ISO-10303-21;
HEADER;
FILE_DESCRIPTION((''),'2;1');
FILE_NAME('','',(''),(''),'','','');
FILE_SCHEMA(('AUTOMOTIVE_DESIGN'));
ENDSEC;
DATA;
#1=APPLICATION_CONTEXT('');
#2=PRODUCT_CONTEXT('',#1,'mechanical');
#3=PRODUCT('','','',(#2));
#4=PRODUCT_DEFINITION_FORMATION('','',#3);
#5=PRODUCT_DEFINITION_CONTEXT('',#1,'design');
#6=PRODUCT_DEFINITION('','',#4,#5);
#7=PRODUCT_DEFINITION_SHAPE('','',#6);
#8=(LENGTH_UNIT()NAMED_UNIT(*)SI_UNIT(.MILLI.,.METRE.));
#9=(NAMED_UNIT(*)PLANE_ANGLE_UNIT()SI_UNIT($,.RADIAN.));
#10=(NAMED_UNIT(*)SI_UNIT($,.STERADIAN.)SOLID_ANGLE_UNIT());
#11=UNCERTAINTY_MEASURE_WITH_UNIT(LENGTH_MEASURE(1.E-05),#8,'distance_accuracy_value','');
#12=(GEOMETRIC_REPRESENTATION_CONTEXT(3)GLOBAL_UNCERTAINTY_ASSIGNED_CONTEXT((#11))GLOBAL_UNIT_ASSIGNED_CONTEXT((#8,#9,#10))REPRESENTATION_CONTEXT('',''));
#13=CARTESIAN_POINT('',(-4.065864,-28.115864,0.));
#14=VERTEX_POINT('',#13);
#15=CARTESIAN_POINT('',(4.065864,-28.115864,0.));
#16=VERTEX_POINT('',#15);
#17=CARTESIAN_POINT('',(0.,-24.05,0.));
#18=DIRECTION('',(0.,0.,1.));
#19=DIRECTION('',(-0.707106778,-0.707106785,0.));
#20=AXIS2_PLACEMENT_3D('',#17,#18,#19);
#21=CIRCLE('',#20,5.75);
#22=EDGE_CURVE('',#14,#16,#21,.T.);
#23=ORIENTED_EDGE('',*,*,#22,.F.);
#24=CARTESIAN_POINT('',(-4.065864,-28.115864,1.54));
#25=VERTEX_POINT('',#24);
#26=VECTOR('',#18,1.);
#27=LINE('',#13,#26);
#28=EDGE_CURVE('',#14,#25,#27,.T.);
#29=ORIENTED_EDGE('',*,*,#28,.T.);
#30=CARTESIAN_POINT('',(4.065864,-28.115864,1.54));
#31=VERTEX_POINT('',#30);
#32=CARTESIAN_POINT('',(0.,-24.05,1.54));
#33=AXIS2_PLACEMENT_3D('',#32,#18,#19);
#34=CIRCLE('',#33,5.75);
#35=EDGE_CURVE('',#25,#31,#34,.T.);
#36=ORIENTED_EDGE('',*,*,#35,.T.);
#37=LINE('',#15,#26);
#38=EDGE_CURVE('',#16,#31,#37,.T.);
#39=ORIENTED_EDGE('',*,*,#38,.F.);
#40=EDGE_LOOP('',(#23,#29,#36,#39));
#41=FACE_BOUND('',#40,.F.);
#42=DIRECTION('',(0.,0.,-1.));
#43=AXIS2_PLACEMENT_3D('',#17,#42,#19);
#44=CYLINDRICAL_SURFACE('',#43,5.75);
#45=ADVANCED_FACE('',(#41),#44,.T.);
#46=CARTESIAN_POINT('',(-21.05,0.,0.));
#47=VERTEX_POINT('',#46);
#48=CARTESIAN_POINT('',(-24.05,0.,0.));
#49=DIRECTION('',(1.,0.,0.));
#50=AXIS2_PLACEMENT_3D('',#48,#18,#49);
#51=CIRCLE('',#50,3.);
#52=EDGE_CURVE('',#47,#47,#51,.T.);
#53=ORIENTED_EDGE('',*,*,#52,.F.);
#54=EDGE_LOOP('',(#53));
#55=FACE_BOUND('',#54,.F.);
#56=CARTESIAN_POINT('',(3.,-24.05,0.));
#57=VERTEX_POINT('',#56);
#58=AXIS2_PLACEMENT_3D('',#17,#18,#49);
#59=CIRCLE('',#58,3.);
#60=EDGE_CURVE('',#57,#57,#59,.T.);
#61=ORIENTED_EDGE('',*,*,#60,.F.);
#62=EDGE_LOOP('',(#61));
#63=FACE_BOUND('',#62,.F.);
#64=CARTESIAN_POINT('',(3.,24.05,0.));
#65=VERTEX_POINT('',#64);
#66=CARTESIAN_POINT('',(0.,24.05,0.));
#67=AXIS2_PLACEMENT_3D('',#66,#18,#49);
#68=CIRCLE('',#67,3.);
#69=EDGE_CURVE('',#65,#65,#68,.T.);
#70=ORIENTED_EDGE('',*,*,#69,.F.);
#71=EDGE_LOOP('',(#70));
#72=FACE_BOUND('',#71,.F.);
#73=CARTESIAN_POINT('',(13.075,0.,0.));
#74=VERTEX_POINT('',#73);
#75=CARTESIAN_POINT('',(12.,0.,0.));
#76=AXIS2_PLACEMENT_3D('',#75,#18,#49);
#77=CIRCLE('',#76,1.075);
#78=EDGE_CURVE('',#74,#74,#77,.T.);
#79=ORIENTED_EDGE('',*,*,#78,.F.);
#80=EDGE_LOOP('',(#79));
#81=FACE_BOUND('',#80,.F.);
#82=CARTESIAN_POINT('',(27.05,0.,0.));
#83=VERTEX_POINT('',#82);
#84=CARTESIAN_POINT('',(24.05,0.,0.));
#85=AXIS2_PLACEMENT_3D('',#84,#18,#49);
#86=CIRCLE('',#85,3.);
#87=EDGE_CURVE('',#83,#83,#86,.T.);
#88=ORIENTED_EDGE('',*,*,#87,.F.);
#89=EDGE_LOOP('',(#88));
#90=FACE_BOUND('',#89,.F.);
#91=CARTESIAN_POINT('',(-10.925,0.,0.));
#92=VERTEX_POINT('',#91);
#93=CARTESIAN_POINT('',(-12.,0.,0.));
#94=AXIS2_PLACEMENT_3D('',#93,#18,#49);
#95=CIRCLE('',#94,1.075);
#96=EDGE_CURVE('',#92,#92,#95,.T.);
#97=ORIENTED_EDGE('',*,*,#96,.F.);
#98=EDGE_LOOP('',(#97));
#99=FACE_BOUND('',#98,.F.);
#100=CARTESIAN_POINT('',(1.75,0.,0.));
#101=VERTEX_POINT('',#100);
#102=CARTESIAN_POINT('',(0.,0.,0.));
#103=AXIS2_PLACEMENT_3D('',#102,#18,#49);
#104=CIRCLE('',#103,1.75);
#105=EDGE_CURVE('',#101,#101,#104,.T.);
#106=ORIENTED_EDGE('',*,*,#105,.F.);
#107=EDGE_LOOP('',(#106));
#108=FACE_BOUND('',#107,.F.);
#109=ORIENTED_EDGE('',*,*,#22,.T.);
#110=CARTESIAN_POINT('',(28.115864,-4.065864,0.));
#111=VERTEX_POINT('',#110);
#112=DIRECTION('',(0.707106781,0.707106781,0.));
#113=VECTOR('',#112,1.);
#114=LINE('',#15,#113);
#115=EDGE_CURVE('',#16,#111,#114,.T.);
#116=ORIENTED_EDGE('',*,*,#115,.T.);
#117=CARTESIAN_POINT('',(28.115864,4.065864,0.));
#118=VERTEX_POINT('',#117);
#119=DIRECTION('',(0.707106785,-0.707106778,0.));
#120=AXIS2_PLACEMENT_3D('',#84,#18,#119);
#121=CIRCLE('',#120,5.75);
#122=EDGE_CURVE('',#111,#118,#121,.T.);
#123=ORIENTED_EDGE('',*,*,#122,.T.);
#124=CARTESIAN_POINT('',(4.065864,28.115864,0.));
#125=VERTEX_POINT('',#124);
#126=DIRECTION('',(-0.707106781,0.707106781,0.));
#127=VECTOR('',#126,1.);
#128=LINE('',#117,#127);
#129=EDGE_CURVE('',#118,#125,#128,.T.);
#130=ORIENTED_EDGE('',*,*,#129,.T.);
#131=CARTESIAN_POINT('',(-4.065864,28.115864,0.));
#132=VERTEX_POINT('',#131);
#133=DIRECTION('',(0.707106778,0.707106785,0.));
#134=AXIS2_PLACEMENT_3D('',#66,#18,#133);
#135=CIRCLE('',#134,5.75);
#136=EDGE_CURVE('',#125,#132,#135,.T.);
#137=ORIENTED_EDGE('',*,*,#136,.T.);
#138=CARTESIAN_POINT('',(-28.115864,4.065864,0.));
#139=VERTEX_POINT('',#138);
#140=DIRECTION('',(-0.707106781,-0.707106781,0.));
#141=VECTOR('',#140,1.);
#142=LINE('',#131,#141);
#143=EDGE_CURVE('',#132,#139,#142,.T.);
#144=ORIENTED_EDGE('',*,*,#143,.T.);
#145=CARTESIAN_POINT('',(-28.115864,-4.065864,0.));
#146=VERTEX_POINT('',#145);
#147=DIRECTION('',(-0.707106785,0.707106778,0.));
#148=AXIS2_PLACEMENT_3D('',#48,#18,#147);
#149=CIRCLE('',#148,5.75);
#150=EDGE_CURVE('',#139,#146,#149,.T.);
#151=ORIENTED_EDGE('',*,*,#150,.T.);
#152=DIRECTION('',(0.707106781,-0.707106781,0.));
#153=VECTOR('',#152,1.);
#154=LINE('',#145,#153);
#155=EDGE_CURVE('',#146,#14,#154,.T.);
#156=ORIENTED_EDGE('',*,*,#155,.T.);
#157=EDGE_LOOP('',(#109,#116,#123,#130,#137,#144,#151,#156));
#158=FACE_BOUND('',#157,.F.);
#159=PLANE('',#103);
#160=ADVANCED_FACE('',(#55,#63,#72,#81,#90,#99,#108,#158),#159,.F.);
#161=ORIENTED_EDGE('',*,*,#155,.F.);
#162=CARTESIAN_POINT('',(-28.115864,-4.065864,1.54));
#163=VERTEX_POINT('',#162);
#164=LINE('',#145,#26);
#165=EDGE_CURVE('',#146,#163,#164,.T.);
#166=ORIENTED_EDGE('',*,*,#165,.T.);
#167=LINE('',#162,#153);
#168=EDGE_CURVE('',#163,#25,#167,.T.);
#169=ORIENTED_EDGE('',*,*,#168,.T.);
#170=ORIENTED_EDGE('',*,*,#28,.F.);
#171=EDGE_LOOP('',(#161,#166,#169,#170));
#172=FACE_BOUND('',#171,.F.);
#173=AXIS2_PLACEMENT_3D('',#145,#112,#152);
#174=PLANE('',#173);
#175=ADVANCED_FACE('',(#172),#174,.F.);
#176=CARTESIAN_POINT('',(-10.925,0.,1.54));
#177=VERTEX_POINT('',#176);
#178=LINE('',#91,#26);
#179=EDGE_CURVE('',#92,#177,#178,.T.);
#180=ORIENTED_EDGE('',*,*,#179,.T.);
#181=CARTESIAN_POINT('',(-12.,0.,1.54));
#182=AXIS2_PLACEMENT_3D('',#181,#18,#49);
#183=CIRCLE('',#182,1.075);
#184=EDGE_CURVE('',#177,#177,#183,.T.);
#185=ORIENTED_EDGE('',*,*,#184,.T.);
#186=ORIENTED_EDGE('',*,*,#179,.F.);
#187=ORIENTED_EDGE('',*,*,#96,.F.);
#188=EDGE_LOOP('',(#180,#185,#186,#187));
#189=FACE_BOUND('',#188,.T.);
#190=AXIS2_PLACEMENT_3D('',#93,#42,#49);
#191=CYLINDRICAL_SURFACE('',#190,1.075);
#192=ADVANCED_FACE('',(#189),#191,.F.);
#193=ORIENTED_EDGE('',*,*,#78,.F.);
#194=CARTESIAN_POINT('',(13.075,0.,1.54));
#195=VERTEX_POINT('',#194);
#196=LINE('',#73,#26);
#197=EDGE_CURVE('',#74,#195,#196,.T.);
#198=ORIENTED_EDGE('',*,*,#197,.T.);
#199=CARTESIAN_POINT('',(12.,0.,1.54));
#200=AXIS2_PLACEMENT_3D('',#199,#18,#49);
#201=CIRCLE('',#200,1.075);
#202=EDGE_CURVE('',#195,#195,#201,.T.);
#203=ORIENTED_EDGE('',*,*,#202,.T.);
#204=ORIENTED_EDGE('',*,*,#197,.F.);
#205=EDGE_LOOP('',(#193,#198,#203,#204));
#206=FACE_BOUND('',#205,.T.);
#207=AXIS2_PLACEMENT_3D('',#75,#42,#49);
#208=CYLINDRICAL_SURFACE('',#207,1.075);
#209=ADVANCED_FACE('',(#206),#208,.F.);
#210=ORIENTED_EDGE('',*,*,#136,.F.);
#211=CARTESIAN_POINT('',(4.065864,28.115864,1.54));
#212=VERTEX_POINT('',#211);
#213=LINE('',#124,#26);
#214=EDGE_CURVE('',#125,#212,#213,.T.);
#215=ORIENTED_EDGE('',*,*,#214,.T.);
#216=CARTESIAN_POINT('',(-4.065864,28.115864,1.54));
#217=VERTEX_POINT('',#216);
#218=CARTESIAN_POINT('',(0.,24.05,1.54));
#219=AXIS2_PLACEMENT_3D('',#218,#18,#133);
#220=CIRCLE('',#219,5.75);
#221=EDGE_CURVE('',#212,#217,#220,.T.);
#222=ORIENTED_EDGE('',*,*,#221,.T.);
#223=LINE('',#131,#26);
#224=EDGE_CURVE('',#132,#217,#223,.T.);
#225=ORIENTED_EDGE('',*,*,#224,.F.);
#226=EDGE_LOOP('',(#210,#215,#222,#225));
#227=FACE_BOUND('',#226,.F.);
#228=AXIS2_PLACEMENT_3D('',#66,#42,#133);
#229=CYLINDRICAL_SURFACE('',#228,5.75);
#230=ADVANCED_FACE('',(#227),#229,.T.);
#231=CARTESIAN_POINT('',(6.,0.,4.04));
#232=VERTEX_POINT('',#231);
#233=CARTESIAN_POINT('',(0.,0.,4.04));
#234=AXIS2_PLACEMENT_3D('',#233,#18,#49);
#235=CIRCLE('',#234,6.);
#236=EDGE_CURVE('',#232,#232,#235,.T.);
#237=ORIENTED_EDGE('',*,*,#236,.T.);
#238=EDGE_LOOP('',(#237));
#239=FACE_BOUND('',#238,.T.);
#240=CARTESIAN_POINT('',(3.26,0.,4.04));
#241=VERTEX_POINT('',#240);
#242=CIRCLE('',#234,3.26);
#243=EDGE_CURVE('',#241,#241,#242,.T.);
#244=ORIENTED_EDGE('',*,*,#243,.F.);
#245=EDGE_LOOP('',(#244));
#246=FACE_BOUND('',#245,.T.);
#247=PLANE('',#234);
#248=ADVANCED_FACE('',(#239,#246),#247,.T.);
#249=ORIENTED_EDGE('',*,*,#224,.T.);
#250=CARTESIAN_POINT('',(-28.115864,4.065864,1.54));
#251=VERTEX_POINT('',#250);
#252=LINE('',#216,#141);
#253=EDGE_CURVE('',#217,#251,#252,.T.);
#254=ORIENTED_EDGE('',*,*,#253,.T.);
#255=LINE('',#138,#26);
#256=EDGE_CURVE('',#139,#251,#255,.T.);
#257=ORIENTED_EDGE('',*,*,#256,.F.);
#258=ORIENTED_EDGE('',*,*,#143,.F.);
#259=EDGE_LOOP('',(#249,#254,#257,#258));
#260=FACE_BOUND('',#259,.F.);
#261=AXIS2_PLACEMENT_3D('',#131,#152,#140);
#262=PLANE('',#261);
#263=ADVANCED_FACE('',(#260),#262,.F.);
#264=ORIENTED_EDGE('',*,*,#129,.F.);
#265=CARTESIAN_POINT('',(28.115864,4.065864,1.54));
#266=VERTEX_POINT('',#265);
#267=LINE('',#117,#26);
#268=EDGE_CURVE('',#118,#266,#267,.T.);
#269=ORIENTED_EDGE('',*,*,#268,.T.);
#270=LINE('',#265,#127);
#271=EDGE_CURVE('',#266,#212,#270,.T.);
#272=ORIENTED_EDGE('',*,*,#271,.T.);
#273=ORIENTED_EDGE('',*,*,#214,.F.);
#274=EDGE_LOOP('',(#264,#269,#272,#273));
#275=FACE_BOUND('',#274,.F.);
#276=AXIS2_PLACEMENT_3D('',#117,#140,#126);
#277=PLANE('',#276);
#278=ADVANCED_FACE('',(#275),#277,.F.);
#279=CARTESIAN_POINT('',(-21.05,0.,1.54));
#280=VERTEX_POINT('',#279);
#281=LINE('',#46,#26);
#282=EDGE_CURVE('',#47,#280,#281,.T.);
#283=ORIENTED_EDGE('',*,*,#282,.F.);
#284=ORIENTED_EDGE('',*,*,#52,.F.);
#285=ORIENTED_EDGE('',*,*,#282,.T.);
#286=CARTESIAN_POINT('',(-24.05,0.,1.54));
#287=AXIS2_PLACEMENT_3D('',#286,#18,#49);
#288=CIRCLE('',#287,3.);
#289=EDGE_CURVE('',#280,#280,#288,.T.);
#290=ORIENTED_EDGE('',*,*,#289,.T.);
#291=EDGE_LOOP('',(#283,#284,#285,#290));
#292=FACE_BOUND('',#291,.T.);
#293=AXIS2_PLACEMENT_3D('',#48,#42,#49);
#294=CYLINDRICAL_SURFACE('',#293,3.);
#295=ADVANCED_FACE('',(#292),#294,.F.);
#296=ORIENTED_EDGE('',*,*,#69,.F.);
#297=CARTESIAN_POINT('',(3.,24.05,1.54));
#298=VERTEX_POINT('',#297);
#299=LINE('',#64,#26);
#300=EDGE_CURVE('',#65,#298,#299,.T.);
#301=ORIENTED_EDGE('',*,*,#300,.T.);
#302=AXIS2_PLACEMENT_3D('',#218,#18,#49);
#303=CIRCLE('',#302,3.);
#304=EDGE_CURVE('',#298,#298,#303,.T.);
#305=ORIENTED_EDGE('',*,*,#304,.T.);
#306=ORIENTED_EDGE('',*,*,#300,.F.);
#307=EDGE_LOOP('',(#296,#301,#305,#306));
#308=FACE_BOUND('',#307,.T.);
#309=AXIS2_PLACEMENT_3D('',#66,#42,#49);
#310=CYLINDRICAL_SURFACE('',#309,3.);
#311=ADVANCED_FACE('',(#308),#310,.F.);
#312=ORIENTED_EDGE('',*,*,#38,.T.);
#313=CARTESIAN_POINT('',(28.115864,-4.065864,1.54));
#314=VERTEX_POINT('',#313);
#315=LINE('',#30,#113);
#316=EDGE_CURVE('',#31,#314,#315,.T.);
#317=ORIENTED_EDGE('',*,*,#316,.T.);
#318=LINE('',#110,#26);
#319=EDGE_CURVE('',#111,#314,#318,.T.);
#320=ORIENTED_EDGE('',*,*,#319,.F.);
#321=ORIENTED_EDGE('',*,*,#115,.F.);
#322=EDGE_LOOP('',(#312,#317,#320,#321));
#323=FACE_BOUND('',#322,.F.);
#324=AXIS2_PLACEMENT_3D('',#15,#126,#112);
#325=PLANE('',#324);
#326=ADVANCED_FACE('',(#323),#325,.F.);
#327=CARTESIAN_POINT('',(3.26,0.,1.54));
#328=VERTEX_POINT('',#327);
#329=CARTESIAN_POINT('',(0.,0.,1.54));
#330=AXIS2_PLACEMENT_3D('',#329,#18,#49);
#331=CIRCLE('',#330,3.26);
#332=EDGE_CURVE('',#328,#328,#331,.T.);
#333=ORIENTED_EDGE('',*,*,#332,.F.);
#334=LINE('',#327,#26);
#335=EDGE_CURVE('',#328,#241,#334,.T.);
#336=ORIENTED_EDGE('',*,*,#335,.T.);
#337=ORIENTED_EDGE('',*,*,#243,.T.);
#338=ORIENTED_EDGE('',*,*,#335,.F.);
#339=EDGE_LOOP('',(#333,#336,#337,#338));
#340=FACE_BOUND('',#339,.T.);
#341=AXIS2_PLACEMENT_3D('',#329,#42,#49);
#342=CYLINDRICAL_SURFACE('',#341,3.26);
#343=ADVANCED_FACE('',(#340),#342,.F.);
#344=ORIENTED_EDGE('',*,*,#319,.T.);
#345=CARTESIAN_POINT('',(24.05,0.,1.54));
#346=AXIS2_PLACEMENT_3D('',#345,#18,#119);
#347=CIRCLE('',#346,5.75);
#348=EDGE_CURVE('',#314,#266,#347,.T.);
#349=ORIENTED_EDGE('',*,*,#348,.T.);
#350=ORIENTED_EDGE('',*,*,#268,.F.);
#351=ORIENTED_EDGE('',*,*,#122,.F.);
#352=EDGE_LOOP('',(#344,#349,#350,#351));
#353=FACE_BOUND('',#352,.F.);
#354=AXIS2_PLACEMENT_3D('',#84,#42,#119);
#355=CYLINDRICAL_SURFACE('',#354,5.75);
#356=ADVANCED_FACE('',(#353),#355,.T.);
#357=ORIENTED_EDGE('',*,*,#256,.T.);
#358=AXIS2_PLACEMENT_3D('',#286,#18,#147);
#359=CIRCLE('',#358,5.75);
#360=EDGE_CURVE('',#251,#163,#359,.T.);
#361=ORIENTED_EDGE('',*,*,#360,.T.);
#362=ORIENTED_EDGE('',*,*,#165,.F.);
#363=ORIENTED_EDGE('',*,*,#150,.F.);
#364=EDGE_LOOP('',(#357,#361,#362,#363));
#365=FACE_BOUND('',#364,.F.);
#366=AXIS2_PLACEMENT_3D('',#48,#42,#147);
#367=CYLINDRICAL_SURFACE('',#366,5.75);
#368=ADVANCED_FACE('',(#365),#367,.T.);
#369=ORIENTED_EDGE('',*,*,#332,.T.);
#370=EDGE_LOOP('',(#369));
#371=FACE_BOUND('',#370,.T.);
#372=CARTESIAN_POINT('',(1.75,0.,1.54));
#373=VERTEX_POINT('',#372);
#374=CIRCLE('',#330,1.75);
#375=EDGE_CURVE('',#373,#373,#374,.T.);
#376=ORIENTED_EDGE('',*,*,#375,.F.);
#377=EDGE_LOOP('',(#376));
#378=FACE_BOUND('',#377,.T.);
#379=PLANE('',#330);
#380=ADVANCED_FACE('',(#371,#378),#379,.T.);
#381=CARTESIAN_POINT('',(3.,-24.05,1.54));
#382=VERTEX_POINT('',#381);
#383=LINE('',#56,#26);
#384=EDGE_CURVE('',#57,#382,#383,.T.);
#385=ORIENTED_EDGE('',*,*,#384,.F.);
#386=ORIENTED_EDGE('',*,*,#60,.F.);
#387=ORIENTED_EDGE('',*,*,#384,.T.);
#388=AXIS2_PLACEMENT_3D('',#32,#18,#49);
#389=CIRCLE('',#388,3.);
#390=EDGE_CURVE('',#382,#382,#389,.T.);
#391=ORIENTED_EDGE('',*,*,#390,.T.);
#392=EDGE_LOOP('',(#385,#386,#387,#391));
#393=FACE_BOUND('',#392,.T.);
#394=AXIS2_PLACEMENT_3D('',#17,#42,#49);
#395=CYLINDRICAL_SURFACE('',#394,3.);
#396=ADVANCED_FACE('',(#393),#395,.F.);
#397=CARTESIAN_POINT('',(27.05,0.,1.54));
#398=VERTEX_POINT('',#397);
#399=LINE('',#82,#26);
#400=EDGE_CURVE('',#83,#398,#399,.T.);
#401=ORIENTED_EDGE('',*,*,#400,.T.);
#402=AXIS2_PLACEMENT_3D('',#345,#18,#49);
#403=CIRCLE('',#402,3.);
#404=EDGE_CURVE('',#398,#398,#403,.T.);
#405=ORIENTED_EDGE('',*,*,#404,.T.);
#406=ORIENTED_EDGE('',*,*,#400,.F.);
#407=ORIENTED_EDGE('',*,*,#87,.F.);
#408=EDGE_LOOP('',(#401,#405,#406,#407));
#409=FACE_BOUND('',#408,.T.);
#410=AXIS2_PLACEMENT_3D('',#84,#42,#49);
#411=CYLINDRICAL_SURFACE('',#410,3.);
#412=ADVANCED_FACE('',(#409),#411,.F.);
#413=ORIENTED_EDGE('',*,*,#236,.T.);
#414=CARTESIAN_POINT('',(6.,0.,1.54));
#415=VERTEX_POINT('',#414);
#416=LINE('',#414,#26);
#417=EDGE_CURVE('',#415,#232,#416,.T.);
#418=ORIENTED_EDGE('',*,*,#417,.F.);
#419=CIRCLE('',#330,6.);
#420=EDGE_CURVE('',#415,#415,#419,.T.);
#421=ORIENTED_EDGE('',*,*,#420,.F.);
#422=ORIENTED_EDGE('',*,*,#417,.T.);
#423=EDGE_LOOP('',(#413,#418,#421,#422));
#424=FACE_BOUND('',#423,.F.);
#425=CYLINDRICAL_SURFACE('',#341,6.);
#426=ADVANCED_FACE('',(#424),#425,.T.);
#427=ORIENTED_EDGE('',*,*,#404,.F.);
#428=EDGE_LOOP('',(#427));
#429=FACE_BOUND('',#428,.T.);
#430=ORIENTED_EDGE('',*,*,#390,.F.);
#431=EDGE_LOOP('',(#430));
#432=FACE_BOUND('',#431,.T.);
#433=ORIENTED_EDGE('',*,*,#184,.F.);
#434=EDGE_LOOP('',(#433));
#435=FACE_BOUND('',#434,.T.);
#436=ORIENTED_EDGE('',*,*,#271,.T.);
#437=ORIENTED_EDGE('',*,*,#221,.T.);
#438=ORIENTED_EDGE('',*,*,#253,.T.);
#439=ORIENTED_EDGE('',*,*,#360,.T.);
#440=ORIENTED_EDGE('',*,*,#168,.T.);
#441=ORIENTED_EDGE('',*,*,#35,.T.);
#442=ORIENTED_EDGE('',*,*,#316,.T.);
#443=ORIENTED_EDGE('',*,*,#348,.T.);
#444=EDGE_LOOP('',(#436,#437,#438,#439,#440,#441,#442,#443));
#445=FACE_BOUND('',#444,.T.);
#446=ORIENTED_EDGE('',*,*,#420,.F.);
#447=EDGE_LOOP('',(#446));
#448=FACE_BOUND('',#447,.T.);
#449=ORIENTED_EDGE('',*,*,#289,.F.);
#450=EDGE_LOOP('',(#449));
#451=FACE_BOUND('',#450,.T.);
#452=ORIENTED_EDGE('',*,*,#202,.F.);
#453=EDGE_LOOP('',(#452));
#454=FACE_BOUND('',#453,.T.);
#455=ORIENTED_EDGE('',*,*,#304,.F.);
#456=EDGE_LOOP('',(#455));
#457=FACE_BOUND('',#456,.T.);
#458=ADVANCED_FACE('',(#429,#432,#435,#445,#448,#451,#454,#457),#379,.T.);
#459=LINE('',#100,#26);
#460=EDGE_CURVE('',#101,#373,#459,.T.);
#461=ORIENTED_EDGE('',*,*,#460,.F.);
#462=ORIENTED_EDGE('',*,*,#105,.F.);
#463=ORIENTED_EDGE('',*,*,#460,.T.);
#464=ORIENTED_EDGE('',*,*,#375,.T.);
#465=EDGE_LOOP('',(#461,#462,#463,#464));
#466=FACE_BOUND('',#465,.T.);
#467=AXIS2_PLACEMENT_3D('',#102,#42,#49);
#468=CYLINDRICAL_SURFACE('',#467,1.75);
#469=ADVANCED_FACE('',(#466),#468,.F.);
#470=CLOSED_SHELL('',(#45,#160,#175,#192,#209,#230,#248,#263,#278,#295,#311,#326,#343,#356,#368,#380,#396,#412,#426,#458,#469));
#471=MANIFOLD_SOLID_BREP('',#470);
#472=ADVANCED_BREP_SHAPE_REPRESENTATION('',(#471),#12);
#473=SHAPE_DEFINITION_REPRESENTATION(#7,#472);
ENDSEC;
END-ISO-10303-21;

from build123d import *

# Parameters (mm, degrees)
F0_R     = 3
F0_R_2   = 1.075
F0_R_3   = 1.75
F1_DEPTH = 1.54
F2_R     = 6
F2_R_2   = 3.26
F3_DEPTH = 2.5


with BuildPart() as f1:
    # F0 (on Top) → F1 (new body)
    with BuildSketch(Plane.XY):
        with BuildLine():
            Line((28.115864, 4.065864), (4.065864, 28.115864))
            ThreePointArc((4.065864, 28.115864), (0, 29.8), (-4.065864, 28.115864))
            Line((-4.065864, 28.115864), (-28.115864, 4.065864))
            ThreePointArc((-28.115864, 4.065864), (-29.8, 0), (-28.115864, -4.065864))
            Line((-28.115864, -4.065864), (-4.065864, -28.115864))
            ThreePointArc((-4.065864, -28.115864), (0, -29.8), (4.065864, -28.115864))
            Line((4.065864, -28.115864), (28.115864, -4.065864))
            ThreePointArc((28.115864, -4.065864), (29.8, 0), (28.115864, 4.065864))
        make_face()
        with Locations((-24.05, 0)):
            Circle(F0_R, mode=Mode.SUBTRACT)
        with Locations((-12, 0)):
            Circle(F0_R_2, mode=Mode.SUBTRACT)
        with Locations((0, -24.05)):
            Circle(F0_R, mode=Mode.SUBTRACT)
        Circle(F0_R_3, mode=Mode.SUBTRACT)
        with Locations((12, 0)):
            Circle(F0_R_2, mode=Mode.SUBTRACT)
        with Locations((24.05, 0)):
            Circle(F0_R, mode=Mode.SUBTRACT)
        with Locations((0, 24.05)):
            Circle(F0_R, mode=Mode.SUBTRACT)
    extrude(amount=F1_DEPTH)

    # F2 (on face) → F3 (join)
    with BuildSketch(Plane.XY.offset(1.54)):
        Circle(F2_R)
        Circle(F2_R_2, mode=Mode.SUBTRACT)
    extrude(amount=F3_DEPTH)


solid = f1.part
